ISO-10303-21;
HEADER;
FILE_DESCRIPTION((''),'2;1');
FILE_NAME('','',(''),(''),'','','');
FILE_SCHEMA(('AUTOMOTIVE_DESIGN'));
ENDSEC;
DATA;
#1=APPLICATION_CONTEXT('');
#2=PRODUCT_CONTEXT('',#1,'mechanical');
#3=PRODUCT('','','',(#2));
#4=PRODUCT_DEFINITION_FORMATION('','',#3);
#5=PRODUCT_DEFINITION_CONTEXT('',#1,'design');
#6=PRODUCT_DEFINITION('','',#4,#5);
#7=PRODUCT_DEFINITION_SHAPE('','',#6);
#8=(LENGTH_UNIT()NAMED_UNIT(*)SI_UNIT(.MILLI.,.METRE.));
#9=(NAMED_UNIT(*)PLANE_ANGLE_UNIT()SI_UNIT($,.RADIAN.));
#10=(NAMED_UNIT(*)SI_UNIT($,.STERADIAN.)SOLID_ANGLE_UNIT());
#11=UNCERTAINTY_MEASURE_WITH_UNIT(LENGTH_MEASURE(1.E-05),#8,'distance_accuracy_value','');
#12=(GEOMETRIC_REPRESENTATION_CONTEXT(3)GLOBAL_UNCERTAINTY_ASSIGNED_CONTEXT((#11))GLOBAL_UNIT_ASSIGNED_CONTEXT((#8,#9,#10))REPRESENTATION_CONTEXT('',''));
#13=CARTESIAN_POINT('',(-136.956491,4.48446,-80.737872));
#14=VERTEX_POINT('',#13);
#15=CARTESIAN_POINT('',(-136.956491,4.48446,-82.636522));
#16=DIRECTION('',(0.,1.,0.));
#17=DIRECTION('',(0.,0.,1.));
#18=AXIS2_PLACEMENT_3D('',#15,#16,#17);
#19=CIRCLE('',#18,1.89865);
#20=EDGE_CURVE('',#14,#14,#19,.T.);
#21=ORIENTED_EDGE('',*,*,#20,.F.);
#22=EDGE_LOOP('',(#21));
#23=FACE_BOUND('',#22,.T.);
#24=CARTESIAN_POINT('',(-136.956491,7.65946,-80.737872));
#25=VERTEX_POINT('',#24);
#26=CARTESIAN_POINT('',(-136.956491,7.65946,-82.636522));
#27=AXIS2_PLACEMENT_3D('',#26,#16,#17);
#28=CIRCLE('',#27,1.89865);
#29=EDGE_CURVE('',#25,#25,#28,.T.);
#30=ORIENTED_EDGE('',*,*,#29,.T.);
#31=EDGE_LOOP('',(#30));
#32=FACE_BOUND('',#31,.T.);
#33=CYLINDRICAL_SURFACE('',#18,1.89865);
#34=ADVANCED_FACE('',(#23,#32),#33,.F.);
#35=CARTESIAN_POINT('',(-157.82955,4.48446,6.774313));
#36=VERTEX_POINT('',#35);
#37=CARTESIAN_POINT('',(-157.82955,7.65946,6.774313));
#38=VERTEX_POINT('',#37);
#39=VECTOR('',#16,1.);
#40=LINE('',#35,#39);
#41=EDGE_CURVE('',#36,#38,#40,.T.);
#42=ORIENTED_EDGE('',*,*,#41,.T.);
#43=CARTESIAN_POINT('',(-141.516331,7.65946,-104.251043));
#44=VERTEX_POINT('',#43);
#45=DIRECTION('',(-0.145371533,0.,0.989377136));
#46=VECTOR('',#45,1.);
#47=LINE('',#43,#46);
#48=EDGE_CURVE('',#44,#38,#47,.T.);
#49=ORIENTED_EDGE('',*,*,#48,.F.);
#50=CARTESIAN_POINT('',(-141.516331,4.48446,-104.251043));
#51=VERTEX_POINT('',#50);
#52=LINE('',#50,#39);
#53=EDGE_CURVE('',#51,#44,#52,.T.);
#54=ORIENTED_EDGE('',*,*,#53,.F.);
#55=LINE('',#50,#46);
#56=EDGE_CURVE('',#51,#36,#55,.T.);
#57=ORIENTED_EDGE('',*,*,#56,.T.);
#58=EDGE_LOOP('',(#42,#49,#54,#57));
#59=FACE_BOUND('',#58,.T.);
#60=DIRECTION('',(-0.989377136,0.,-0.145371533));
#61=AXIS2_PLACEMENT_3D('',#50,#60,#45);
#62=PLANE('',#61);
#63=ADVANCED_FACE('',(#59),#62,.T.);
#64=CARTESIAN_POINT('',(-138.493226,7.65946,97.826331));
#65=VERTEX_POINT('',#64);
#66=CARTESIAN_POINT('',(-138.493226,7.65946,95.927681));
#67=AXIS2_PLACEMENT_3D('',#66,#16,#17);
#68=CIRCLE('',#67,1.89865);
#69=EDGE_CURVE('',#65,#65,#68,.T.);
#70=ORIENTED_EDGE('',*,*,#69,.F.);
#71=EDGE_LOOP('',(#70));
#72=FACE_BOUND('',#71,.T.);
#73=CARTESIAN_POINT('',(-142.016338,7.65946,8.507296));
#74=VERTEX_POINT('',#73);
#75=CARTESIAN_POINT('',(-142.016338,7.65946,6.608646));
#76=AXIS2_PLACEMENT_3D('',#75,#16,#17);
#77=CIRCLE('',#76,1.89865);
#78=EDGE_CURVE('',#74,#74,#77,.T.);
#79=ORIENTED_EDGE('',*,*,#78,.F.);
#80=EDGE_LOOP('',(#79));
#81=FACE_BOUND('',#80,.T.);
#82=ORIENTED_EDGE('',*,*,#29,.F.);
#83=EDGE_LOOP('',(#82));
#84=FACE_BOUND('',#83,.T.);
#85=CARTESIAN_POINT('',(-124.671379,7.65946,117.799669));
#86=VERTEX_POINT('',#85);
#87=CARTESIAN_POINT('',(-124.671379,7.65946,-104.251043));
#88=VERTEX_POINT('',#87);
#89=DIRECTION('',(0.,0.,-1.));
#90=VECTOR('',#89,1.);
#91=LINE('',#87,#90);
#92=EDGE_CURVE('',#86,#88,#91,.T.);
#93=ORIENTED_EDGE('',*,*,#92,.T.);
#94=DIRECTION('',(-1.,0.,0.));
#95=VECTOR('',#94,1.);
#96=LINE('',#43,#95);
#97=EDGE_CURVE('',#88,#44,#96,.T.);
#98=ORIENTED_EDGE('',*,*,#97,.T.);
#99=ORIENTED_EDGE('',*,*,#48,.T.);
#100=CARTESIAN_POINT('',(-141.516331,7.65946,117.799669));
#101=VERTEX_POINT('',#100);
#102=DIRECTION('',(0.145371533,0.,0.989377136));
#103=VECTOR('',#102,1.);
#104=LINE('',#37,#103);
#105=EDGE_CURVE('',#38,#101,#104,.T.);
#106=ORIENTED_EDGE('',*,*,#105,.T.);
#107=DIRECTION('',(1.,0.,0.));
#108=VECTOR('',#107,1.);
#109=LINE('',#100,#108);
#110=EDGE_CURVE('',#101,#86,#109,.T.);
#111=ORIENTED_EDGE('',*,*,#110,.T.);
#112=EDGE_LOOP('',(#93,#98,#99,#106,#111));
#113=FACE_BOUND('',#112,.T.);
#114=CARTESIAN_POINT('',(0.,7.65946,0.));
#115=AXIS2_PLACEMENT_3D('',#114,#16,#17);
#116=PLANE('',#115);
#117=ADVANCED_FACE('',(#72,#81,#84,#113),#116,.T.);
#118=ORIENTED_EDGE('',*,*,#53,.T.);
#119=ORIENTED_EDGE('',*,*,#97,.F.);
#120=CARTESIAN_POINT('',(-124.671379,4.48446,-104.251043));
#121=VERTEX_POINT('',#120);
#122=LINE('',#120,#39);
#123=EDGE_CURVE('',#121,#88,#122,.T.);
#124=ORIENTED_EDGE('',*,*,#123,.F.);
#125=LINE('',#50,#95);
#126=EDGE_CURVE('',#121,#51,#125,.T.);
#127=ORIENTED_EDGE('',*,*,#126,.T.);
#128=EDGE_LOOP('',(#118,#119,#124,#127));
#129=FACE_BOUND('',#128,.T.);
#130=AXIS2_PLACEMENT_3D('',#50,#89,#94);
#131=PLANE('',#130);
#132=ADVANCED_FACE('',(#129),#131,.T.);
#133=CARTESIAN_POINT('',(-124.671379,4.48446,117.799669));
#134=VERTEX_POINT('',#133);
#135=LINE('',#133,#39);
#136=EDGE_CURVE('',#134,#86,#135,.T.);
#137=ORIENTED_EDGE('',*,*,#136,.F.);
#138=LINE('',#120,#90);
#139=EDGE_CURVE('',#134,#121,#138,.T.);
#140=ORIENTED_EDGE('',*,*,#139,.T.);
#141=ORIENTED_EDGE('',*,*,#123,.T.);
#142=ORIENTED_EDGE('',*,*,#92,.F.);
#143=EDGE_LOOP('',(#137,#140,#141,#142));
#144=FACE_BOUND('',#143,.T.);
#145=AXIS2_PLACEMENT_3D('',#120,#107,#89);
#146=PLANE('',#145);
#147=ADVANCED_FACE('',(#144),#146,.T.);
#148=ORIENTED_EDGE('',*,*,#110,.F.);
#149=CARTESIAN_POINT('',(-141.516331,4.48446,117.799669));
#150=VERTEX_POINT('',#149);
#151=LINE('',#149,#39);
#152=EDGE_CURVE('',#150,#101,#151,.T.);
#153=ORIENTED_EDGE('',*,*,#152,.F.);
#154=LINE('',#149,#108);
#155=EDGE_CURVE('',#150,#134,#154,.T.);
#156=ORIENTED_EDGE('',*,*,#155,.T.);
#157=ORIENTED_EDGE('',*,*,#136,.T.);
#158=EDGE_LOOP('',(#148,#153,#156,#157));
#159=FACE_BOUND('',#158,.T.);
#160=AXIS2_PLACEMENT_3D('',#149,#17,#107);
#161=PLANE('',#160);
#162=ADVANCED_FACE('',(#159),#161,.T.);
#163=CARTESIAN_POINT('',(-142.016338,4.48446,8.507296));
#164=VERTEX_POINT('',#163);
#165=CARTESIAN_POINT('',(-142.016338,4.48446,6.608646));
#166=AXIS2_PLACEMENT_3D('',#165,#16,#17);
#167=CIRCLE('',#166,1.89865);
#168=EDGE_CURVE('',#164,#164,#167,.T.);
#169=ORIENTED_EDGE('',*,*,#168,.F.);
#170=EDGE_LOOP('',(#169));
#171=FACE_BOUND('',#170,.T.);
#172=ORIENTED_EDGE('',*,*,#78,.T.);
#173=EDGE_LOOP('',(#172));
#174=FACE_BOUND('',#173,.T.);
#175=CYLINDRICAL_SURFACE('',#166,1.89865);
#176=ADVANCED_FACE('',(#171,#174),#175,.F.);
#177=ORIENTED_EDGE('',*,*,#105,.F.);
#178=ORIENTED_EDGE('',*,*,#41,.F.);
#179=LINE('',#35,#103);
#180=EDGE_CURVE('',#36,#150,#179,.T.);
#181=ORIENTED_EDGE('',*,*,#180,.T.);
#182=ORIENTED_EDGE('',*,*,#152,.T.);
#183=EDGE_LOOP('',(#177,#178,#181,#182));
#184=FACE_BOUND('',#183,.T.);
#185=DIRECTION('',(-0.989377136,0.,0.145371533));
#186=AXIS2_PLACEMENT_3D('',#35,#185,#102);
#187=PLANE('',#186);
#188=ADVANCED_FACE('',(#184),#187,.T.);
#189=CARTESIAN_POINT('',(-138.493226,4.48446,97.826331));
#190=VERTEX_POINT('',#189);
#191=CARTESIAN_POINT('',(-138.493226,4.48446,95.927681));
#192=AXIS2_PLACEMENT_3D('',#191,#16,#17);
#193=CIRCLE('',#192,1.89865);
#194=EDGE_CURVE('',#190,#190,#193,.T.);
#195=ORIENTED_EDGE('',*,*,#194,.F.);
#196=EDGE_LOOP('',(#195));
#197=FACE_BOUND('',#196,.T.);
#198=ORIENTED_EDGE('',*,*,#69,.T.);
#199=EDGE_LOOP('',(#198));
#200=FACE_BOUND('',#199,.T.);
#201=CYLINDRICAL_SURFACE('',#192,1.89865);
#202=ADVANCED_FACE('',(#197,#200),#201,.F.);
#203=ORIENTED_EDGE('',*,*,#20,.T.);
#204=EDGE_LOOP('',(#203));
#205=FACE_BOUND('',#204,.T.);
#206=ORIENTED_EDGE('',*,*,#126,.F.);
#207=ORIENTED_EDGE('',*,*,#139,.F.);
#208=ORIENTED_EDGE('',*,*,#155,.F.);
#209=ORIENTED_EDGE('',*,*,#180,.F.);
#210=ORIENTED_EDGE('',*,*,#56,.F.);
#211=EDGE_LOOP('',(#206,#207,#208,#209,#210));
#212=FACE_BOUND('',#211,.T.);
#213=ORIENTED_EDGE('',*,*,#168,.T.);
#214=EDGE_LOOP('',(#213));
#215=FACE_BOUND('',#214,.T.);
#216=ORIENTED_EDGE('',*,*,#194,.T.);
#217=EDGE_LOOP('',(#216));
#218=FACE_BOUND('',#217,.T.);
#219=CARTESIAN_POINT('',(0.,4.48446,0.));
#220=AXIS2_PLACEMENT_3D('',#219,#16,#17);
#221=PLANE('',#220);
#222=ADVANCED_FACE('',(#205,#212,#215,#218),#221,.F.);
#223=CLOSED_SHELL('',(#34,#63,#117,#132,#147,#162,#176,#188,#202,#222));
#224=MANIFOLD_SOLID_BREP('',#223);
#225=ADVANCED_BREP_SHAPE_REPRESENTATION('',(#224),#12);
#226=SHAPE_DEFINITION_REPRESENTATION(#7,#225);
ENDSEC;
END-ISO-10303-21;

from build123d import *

# Parameters (mm, degrees)
SKETCH1_R      = 1.89865
MAINBODY_DEPTH = 3.175


with BuildPart() as part:
    # Sketch1 → MainBody (new body)
    with BuildSketch(Plane(origin=(0, 7.659460084, 0), x_dir=(1, 0, 0), z_dir=(0, 1, 0))):
        Polygon((-141.5163305, 104.251042847), (-124.67137867, 104.251042847), (-124.67137867, -117.799669373), (-141.5163305, -117.799669373), (-157.82954988, -6.774313263), align=None)
        with Locations(Location((-136.956490805, 82.636522264, 0), (0, 0, 270))):
            Circle(SKETCH1_R, mode=Mode.SUBTRACT)
        with Locations(Location((-142.016337919, -6.608646442, 0), (0, 0, 270))):
            Circle(SKETCH1_R, mode=Mode.SUBTRACT)
        with Locations(Location((-138.493225998, -95.927680655, 0), (0, 0, 270))):
            Circle(SKETCH1_R, mode=Mode.SUBTRACT)
    extrude(amount=-MAINBODY_DEPTH)


solid = part.part
